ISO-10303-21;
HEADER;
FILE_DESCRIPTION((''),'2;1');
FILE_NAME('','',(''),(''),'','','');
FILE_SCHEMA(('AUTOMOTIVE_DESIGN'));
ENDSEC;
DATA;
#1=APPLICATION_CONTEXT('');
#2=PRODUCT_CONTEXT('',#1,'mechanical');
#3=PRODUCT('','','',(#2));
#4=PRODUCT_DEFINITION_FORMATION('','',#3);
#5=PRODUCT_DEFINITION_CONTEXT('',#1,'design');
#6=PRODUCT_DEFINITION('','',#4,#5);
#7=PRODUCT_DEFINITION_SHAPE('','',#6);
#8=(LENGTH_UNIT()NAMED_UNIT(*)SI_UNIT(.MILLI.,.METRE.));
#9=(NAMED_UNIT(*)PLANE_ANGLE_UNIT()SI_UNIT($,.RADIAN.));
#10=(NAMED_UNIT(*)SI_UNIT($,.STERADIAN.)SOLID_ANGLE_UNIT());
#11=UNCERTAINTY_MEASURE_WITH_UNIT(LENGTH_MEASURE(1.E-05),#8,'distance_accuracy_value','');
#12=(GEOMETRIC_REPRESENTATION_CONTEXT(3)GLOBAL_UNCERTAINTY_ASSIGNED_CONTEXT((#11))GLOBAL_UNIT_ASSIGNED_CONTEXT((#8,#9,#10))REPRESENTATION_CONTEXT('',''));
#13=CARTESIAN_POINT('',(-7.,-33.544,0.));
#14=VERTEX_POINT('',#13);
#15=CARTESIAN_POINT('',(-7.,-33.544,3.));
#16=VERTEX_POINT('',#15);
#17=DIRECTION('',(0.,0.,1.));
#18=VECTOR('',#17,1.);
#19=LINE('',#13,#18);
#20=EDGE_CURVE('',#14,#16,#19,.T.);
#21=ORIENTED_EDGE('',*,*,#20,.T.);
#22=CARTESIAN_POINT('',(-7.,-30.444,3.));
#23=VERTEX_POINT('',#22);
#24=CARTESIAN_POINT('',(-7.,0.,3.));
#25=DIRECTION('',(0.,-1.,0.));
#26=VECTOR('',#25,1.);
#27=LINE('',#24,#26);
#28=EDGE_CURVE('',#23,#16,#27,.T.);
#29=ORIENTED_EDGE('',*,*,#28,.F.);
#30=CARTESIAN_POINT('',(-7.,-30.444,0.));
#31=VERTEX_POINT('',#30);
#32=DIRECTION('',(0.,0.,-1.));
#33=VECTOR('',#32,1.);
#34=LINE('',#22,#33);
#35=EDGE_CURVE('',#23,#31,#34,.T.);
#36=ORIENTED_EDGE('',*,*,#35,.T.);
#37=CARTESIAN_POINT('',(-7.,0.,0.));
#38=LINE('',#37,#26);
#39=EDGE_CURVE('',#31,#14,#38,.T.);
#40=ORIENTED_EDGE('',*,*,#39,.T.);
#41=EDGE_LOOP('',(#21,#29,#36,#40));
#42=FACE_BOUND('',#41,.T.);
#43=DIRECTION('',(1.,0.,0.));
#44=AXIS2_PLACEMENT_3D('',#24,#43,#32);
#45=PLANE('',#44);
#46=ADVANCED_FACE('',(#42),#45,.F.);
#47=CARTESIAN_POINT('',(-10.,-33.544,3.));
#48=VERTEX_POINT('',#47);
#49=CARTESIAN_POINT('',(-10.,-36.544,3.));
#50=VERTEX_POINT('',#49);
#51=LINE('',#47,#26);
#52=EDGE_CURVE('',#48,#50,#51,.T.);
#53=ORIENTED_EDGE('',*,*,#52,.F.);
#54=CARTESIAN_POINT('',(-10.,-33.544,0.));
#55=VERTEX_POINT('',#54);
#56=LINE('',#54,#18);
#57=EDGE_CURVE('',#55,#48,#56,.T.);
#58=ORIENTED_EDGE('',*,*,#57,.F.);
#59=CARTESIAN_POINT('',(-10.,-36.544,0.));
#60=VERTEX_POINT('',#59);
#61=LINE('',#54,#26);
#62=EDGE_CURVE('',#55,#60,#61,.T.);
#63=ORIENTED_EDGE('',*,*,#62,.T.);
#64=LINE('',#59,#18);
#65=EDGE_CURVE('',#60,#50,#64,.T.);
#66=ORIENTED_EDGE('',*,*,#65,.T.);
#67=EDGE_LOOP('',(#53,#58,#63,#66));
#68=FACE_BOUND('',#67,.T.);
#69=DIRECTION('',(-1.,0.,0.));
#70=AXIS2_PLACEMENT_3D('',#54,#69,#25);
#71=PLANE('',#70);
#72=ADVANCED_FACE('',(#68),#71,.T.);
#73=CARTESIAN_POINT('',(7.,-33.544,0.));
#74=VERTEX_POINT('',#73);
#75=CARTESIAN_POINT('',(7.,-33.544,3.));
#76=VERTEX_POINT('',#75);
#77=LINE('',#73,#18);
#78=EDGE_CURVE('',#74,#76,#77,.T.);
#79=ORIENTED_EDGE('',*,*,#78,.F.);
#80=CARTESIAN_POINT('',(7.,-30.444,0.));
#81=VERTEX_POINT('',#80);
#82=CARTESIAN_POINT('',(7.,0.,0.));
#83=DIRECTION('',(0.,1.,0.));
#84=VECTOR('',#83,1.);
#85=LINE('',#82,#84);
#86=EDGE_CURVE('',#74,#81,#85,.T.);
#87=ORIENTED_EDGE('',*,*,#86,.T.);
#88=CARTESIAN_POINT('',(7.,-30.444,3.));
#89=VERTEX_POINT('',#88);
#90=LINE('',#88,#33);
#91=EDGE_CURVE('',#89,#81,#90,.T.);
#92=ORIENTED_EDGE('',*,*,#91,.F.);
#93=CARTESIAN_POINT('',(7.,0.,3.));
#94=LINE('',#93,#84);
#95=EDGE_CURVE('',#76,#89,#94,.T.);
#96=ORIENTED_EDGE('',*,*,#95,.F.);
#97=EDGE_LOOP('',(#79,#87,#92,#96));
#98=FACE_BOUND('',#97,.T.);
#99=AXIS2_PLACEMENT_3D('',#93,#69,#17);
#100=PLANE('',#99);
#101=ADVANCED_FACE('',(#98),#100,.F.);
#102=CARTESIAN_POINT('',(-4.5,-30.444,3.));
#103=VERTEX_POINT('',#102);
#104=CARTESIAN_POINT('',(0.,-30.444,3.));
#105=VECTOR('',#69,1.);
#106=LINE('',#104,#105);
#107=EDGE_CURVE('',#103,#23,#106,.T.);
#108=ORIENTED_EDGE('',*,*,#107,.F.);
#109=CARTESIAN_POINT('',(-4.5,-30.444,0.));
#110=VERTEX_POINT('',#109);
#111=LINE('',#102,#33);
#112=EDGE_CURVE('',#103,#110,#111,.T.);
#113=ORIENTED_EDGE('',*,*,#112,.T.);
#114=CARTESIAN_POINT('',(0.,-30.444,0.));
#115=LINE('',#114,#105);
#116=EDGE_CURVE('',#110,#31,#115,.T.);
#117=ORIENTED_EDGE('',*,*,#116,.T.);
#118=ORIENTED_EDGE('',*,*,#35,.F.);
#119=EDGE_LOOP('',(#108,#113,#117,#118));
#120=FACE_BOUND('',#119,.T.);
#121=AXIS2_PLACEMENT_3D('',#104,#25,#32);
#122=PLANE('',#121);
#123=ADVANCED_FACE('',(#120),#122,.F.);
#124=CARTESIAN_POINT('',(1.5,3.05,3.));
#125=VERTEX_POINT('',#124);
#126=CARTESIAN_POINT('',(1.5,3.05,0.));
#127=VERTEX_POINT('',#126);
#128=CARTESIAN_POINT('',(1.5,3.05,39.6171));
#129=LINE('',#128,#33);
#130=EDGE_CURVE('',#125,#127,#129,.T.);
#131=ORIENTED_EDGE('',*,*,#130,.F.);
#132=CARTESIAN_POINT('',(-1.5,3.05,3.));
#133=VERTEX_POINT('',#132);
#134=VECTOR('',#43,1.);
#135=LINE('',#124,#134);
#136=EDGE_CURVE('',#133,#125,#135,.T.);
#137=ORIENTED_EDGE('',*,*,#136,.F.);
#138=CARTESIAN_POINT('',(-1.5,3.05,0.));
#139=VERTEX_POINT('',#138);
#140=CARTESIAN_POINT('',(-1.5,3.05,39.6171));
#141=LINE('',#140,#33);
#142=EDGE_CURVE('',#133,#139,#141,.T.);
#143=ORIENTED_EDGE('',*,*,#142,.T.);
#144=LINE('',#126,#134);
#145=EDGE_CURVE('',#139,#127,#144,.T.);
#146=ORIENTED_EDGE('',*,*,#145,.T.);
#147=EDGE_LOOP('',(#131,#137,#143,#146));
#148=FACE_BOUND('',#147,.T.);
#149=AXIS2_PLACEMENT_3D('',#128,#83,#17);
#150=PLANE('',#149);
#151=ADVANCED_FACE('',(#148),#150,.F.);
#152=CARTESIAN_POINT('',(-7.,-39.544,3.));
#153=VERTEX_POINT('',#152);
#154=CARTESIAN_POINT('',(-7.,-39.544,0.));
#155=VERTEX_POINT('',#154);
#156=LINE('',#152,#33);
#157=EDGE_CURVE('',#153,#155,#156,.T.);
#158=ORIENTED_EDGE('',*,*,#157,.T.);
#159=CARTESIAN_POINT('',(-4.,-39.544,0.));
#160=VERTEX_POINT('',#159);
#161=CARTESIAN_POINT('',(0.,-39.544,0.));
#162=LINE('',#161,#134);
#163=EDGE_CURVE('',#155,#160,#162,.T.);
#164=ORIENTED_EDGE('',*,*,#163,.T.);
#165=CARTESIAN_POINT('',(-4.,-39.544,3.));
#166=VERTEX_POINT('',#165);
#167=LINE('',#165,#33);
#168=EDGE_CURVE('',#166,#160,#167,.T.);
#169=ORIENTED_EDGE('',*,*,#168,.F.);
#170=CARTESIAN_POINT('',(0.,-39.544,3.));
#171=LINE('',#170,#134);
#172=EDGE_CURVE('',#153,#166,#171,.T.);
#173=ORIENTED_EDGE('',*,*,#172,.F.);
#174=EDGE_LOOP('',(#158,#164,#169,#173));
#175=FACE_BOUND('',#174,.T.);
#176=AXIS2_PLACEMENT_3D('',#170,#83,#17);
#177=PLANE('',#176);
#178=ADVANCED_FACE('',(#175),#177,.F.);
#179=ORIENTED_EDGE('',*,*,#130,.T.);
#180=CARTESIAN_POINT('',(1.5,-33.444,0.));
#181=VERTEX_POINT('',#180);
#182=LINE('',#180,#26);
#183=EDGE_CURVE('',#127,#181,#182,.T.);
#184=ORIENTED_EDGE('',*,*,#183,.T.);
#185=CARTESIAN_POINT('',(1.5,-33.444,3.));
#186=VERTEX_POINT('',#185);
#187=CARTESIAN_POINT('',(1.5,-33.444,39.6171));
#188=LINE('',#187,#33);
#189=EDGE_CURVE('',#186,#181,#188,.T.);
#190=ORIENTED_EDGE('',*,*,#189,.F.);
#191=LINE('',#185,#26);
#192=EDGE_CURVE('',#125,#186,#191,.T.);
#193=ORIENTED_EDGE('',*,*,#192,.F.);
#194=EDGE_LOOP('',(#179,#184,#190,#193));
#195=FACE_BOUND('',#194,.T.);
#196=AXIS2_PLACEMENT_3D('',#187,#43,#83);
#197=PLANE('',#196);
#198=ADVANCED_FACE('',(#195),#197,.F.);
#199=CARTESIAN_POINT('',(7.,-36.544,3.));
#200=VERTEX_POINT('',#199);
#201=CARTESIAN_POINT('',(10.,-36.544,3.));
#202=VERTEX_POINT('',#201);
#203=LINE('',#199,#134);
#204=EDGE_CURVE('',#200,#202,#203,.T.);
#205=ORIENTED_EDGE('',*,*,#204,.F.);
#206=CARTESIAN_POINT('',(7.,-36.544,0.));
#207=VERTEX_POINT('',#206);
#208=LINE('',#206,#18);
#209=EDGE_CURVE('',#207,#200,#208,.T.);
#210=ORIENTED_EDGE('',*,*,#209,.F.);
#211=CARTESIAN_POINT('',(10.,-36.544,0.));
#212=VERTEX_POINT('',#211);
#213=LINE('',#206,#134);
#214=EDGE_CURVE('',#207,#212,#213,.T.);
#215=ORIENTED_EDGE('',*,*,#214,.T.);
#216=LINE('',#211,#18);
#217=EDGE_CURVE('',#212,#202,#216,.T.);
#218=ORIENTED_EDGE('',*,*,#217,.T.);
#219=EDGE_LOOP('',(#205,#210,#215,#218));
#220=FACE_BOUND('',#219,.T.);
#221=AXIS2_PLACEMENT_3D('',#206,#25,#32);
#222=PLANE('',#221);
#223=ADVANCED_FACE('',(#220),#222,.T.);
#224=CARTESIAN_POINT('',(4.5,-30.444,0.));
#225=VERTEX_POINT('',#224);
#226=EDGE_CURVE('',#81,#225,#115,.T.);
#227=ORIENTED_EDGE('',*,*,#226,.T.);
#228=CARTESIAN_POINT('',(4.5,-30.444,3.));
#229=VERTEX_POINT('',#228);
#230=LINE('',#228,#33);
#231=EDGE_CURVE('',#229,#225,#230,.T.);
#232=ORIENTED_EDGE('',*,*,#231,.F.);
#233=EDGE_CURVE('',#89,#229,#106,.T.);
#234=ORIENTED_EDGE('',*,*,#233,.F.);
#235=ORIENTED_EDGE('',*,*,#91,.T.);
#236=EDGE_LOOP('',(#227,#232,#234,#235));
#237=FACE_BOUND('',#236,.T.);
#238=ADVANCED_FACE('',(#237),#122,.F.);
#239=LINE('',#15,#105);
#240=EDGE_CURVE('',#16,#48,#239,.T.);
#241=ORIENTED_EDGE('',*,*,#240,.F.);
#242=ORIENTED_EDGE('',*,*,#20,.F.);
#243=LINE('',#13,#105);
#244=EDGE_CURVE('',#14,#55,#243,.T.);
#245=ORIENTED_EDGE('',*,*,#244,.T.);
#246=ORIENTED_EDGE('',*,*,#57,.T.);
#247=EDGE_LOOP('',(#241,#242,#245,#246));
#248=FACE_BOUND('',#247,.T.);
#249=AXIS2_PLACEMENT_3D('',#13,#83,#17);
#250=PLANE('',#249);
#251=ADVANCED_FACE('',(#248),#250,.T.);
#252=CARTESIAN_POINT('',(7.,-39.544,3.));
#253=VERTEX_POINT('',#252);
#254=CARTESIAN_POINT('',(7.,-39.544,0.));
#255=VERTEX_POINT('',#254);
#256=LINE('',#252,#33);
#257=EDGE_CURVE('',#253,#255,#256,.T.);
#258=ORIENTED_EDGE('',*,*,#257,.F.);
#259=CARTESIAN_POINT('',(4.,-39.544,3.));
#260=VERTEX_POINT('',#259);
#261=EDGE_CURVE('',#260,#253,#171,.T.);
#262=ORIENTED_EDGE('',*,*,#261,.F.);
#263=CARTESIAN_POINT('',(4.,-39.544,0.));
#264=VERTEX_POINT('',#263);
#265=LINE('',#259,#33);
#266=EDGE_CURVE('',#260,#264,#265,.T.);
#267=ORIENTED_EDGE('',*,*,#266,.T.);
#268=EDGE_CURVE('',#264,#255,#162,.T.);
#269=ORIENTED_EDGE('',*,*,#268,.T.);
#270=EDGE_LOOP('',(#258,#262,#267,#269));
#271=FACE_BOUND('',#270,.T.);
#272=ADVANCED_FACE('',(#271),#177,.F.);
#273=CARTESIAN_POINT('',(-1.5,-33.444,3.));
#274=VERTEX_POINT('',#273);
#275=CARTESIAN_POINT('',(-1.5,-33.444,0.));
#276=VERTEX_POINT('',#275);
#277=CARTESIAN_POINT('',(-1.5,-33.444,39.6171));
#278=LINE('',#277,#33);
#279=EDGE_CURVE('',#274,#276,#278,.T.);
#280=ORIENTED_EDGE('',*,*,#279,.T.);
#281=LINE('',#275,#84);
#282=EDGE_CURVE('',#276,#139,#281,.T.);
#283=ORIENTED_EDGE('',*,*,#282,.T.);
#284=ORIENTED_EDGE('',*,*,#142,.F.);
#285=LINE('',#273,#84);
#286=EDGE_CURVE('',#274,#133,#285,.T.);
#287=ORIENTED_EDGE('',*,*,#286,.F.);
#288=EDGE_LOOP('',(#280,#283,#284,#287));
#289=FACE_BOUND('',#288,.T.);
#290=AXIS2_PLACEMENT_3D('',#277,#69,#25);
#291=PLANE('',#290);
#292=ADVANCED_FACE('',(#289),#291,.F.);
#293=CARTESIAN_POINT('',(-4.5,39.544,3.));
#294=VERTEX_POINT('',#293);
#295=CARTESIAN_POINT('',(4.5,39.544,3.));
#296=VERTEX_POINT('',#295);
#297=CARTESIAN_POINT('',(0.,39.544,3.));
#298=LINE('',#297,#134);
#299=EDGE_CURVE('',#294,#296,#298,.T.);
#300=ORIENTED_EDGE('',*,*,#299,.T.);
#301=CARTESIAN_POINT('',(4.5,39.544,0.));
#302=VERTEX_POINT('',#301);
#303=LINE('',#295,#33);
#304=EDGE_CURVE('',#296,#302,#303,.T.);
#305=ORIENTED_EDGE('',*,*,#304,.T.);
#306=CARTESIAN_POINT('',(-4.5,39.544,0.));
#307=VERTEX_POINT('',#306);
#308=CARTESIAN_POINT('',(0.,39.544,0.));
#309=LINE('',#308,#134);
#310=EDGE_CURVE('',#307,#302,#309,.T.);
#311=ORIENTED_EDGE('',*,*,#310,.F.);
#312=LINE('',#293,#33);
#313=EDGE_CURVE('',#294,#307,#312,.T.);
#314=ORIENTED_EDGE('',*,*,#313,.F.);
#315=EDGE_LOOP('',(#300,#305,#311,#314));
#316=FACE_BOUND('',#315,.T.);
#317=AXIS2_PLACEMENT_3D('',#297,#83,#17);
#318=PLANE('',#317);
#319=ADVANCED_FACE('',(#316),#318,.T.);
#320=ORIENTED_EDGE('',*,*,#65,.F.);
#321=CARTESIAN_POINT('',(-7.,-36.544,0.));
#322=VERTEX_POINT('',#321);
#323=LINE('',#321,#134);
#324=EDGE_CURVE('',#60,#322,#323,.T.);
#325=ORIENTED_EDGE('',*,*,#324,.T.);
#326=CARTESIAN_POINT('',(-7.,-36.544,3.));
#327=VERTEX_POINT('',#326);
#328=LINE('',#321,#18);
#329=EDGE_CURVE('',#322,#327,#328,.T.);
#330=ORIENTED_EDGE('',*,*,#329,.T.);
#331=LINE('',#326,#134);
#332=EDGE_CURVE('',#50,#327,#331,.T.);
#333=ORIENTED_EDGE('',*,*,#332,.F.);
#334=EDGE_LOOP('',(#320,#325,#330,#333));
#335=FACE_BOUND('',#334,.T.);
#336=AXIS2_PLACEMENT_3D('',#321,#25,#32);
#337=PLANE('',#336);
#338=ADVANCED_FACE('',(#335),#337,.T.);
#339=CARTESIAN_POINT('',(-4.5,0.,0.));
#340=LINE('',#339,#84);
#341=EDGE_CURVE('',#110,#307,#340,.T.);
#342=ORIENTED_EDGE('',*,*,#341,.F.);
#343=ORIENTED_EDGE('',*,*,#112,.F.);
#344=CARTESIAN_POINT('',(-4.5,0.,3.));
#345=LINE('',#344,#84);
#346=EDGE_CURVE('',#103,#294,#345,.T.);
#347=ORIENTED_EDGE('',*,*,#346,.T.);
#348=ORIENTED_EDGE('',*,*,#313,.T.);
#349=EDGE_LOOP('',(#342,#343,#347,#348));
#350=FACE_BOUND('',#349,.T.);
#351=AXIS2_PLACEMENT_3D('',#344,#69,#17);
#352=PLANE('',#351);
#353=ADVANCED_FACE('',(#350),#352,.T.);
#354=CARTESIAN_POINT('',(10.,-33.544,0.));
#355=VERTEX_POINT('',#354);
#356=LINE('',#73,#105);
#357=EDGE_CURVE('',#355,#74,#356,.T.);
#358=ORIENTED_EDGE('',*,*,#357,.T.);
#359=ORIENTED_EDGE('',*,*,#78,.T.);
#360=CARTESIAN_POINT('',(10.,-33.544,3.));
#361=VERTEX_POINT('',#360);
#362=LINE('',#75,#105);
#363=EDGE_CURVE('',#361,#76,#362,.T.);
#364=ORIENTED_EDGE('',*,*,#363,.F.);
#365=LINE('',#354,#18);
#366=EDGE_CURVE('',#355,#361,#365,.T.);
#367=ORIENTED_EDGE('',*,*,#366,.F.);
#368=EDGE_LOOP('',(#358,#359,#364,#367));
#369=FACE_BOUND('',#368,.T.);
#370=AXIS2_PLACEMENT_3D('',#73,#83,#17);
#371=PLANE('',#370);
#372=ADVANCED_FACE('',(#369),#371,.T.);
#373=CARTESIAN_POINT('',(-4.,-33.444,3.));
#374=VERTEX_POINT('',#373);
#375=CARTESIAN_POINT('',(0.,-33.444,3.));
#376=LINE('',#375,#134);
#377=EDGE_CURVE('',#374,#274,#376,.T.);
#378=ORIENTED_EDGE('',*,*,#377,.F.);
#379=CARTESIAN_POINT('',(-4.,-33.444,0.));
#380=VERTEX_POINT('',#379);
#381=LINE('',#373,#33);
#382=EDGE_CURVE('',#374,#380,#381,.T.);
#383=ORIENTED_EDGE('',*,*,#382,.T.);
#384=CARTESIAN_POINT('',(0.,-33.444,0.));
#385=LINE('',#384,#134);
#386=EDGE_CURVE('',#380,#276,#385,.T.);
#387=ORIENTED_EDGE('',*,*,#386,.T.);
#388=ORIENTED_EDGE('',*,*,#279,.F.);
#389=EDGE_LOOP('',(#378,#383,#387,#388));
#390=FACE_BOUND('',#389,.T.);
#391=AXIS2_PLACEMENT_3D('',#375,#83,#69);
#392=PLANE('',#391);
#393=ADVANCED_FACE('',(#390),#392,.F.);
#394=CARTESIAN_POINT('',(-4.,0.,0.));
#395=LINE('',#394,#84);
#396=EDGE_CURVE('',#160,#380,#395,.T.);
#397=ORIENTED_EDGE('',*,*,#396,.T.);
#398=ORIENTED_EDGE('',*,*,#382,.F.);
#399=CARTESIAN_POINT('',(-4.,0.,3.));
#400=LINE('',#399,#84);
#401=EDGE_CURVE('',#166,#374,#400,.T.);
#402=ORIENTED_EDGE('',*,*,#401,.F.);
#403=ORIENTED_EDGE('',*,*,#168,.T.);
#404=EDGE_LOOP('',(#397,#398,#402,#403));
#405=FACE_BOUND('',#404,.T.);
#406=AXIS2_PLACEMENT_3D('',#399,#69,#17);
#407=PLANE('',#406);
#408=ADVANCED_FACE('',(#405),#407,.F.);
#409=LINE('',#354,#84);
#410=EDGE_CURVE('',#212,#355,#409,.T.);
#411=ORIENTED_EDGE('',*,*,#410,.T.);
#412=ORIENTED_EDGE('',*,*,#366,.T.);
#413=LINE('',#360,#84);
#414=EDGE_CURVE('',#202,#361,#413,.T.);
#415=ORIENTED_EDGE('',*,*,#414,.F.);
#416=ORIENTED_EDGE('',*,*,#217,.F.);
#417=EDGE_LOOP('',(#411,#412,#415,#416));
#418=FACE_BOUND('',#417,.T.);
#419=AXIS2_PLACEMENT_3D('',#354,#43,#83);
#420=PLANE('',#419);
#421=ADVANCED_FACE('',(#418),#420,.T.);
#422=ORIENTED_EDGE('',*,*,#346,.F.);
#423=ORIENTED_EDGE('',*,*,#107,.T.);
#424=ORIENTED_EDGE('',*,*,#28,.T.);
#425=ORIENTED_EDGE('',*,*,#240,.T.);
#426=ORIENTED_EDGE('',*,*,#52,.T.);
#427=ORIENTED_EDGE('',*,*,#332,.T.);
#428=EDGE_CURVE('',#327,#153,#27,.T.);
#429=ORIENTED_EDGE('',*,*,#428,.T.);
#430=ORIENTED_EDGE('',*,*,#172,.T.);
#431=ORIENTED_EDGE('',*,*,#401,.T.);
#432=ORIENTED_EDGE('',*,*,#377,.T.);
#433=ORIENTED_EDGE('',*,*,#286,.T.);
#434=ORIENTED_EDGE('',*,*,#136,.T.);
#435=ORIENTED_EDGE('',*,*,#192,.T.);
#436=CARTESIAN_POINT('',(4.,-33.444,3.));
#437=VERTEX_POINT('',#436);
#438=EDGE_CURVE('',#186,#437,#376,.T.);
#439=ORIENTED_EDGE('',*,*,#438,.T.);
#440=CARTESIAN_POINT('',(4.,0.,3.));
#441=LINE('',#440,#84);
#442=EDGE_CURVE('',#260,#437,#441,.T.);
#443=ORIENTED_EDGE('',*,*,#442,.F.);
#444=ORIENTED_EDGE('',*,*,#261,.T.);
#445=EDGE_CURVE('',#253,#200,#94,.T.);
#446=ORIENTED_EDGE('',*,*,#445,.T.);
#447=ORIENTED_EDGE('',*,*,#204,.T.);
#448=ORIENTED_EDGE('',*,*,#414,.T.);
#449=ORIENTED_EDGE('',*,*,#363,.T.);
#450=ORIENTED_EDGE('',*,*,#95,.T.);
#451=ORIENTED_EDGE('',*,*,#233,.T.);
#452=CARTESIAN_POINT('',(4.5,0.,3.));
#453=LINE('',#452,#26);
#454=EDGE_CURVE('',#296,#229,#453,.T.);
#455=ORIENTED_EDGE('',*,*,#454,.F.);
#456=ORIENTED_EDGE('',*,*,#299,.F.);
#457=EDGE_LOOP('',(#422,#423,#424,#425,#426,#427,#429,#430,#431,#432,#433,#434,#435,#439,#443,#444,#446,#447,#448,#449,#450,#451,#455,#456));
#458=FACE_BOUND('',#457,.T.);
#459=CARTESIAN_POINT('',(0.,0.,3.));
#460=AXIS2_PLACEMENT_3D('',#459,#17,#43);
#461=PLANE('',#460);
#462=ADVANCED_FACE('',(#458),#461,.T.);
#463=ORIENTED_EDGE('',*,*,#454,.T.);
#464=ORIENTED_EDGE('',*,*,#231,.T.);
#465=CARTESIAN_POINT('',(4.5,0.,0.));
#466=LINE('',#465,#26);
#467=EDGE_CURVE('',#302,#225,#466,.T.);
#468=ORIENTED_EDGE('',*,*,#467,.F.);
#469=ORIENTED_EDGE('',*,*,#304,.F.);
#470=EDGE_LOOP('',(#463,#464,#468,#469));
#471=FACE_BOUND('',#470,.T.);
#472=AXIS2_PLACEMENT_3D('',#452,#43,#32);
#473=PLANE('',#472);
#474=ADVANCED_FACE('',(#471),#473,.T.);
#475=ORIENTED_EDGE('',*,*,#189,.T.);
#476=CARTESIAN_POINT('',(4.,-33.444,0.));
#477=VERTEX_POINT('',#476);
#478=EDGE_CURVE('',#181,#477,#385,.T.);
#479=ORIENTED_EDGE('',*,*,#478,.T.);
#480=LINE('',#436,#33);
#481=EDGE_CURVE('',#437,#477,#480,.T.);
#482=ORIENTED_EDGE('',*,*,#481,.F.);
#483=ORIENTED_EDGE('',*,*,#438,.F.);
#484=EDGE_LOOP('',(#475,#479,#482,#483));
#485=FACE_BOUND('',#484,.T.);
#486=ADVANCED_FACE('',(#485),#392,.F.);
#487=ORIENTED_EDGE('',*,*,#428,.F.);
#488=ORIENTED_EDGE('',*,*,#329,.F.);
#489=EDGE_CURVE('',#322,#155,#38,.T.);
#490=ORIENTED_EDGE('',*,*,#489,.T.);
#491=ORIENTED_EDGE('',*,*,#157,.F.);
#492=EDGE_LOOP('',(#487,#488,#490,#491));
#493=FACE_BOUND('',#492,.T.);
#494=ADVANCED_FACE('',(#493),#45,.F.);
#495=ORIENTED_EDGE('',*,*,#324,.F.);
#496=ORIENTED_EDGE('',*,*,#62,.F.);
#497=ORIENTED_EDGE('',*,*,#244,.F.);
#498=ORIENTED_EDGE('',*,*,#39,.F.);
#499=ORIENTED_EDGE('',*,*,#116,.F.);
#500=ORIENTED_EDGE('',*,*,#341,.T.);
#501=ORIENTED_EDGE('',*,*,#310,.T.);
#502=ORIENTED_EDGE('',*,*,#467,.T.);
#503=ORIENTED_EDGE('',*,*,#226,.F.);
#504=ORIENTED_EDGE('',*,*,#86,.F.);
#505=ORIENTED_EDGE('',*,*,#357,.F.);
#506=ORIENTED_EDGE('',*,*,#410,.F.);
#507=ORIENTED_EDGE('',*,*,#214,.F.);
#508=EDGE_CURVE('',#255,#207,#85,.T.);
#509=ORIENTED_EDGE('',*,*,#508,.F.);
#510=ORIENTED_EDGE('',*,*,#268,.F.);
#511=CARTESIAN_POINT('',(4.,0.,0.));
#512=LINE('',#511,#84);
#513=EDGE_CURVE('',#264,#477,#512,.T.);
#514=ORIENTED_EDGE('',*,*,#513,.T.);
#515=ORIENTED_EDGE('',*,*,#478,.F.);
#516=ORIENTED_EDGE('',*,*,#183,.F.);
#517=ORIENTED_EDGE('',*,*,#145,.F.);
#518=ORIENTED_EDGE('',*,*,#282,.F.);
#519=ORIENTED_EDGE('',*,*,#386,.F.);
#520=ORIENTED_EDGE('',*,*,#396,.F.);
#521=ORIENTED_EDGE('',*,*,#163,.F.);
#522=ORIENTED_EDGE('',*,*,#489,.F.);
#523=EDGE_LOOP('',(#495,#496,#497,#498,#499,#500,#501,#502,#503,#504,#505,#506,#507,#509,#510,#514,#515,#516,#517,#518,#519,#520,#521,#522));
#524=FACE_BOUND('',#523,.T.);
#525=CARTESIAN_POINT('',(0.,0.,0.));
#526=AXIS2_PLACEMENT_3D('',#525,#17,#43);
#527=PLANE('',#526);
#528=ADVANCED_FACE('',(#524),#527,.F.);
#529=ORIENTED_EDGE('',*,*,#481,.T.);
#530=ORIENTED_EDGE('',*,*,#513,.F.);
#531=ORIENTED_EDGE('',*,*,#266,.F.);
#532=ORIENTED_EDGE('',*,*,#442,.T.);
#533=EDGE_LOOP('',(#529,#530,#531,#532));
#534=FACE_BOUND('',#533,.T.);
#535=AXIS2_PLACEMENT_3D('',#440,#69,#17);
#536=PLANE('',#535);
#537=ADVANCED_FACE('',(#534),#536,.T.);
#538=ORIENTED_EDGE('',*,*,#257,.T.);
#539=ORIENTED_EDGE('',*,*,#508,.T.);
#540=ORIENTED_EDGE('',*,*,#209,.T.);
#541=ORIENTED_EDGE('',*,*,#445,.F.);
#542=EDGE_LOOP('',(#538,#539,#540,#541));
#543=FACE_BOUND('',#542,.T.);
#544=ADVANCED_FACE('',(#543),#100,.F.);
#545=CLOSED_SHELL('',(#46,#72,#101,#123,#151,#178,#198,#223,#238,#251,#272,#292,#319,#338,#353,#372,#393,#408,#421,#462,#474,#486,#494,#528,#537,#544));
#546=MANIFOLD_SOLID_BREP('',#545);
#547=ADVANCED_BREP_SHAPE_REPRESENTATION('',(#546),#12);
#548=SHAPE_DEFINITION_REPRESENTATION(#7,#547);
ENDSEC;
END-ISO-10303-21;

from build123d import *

# Parameters (mm, degrees)
EXTRUDE_1_DEPTH     = 3
SKETCH_2_W          = 3
SKETCH_2_H          = 36.493999941
CUT_EXTRUDE_1_DEPTH = 3
SKETCH_3_W          = 3
SKETCH_3_H          = 3
EXTRUDE_2_DEPTH     = 3


with BuildPart() as part:
    # 스케치1 → 보스-돌출1 (new body)
    with BuildSketch(Plane.XY):
        Polygon((-4.5, 39.543999941), (4.5, 39.543999941), (4.5, -30.443999941), (7, -30.443999941), (7, -39.543999941), (4, -39.543999941), (4, -33.443999941), (-4, -33.443999941), (-4, -39.543999941), (-7, -39.543999941), (-7, -30.443999941), (-4.5, -30.443999941), align=None)
    extrude(amount=EXTRUDE_1_DEPTH)

    # 스케치2 → 컷-돌출1 (cut)
    with BuildSketch(Plane(origin=(0, 0, 0), x_dir=(-1, 0, 0), z_dir=(0, 0, -1))):
        with Locations((0, -15.196999971)):
            Rectangle(SKETCH_2_W, SKETCH_2_H)
    extrude(amount=-CUT_EXTRUDE_1_DEPTH, mode=Mode.SUBTRACT)

    # 스케치3 → 보스-돌출2 (add)
    with BuildSketch(Plane.XY.offset(3)):
        with Locations((-8.5, -35.043999941)):
            Rectangle(SKETCH_3_W, SKETCH_3_H)
        with Locations((8.5, -35.043999941)):
            Rectangle(SKETCH_3_W, SKETCH_3_H)
    extrude(amount=-EXTRUDE_2_DEPTH)


solid = part.part
